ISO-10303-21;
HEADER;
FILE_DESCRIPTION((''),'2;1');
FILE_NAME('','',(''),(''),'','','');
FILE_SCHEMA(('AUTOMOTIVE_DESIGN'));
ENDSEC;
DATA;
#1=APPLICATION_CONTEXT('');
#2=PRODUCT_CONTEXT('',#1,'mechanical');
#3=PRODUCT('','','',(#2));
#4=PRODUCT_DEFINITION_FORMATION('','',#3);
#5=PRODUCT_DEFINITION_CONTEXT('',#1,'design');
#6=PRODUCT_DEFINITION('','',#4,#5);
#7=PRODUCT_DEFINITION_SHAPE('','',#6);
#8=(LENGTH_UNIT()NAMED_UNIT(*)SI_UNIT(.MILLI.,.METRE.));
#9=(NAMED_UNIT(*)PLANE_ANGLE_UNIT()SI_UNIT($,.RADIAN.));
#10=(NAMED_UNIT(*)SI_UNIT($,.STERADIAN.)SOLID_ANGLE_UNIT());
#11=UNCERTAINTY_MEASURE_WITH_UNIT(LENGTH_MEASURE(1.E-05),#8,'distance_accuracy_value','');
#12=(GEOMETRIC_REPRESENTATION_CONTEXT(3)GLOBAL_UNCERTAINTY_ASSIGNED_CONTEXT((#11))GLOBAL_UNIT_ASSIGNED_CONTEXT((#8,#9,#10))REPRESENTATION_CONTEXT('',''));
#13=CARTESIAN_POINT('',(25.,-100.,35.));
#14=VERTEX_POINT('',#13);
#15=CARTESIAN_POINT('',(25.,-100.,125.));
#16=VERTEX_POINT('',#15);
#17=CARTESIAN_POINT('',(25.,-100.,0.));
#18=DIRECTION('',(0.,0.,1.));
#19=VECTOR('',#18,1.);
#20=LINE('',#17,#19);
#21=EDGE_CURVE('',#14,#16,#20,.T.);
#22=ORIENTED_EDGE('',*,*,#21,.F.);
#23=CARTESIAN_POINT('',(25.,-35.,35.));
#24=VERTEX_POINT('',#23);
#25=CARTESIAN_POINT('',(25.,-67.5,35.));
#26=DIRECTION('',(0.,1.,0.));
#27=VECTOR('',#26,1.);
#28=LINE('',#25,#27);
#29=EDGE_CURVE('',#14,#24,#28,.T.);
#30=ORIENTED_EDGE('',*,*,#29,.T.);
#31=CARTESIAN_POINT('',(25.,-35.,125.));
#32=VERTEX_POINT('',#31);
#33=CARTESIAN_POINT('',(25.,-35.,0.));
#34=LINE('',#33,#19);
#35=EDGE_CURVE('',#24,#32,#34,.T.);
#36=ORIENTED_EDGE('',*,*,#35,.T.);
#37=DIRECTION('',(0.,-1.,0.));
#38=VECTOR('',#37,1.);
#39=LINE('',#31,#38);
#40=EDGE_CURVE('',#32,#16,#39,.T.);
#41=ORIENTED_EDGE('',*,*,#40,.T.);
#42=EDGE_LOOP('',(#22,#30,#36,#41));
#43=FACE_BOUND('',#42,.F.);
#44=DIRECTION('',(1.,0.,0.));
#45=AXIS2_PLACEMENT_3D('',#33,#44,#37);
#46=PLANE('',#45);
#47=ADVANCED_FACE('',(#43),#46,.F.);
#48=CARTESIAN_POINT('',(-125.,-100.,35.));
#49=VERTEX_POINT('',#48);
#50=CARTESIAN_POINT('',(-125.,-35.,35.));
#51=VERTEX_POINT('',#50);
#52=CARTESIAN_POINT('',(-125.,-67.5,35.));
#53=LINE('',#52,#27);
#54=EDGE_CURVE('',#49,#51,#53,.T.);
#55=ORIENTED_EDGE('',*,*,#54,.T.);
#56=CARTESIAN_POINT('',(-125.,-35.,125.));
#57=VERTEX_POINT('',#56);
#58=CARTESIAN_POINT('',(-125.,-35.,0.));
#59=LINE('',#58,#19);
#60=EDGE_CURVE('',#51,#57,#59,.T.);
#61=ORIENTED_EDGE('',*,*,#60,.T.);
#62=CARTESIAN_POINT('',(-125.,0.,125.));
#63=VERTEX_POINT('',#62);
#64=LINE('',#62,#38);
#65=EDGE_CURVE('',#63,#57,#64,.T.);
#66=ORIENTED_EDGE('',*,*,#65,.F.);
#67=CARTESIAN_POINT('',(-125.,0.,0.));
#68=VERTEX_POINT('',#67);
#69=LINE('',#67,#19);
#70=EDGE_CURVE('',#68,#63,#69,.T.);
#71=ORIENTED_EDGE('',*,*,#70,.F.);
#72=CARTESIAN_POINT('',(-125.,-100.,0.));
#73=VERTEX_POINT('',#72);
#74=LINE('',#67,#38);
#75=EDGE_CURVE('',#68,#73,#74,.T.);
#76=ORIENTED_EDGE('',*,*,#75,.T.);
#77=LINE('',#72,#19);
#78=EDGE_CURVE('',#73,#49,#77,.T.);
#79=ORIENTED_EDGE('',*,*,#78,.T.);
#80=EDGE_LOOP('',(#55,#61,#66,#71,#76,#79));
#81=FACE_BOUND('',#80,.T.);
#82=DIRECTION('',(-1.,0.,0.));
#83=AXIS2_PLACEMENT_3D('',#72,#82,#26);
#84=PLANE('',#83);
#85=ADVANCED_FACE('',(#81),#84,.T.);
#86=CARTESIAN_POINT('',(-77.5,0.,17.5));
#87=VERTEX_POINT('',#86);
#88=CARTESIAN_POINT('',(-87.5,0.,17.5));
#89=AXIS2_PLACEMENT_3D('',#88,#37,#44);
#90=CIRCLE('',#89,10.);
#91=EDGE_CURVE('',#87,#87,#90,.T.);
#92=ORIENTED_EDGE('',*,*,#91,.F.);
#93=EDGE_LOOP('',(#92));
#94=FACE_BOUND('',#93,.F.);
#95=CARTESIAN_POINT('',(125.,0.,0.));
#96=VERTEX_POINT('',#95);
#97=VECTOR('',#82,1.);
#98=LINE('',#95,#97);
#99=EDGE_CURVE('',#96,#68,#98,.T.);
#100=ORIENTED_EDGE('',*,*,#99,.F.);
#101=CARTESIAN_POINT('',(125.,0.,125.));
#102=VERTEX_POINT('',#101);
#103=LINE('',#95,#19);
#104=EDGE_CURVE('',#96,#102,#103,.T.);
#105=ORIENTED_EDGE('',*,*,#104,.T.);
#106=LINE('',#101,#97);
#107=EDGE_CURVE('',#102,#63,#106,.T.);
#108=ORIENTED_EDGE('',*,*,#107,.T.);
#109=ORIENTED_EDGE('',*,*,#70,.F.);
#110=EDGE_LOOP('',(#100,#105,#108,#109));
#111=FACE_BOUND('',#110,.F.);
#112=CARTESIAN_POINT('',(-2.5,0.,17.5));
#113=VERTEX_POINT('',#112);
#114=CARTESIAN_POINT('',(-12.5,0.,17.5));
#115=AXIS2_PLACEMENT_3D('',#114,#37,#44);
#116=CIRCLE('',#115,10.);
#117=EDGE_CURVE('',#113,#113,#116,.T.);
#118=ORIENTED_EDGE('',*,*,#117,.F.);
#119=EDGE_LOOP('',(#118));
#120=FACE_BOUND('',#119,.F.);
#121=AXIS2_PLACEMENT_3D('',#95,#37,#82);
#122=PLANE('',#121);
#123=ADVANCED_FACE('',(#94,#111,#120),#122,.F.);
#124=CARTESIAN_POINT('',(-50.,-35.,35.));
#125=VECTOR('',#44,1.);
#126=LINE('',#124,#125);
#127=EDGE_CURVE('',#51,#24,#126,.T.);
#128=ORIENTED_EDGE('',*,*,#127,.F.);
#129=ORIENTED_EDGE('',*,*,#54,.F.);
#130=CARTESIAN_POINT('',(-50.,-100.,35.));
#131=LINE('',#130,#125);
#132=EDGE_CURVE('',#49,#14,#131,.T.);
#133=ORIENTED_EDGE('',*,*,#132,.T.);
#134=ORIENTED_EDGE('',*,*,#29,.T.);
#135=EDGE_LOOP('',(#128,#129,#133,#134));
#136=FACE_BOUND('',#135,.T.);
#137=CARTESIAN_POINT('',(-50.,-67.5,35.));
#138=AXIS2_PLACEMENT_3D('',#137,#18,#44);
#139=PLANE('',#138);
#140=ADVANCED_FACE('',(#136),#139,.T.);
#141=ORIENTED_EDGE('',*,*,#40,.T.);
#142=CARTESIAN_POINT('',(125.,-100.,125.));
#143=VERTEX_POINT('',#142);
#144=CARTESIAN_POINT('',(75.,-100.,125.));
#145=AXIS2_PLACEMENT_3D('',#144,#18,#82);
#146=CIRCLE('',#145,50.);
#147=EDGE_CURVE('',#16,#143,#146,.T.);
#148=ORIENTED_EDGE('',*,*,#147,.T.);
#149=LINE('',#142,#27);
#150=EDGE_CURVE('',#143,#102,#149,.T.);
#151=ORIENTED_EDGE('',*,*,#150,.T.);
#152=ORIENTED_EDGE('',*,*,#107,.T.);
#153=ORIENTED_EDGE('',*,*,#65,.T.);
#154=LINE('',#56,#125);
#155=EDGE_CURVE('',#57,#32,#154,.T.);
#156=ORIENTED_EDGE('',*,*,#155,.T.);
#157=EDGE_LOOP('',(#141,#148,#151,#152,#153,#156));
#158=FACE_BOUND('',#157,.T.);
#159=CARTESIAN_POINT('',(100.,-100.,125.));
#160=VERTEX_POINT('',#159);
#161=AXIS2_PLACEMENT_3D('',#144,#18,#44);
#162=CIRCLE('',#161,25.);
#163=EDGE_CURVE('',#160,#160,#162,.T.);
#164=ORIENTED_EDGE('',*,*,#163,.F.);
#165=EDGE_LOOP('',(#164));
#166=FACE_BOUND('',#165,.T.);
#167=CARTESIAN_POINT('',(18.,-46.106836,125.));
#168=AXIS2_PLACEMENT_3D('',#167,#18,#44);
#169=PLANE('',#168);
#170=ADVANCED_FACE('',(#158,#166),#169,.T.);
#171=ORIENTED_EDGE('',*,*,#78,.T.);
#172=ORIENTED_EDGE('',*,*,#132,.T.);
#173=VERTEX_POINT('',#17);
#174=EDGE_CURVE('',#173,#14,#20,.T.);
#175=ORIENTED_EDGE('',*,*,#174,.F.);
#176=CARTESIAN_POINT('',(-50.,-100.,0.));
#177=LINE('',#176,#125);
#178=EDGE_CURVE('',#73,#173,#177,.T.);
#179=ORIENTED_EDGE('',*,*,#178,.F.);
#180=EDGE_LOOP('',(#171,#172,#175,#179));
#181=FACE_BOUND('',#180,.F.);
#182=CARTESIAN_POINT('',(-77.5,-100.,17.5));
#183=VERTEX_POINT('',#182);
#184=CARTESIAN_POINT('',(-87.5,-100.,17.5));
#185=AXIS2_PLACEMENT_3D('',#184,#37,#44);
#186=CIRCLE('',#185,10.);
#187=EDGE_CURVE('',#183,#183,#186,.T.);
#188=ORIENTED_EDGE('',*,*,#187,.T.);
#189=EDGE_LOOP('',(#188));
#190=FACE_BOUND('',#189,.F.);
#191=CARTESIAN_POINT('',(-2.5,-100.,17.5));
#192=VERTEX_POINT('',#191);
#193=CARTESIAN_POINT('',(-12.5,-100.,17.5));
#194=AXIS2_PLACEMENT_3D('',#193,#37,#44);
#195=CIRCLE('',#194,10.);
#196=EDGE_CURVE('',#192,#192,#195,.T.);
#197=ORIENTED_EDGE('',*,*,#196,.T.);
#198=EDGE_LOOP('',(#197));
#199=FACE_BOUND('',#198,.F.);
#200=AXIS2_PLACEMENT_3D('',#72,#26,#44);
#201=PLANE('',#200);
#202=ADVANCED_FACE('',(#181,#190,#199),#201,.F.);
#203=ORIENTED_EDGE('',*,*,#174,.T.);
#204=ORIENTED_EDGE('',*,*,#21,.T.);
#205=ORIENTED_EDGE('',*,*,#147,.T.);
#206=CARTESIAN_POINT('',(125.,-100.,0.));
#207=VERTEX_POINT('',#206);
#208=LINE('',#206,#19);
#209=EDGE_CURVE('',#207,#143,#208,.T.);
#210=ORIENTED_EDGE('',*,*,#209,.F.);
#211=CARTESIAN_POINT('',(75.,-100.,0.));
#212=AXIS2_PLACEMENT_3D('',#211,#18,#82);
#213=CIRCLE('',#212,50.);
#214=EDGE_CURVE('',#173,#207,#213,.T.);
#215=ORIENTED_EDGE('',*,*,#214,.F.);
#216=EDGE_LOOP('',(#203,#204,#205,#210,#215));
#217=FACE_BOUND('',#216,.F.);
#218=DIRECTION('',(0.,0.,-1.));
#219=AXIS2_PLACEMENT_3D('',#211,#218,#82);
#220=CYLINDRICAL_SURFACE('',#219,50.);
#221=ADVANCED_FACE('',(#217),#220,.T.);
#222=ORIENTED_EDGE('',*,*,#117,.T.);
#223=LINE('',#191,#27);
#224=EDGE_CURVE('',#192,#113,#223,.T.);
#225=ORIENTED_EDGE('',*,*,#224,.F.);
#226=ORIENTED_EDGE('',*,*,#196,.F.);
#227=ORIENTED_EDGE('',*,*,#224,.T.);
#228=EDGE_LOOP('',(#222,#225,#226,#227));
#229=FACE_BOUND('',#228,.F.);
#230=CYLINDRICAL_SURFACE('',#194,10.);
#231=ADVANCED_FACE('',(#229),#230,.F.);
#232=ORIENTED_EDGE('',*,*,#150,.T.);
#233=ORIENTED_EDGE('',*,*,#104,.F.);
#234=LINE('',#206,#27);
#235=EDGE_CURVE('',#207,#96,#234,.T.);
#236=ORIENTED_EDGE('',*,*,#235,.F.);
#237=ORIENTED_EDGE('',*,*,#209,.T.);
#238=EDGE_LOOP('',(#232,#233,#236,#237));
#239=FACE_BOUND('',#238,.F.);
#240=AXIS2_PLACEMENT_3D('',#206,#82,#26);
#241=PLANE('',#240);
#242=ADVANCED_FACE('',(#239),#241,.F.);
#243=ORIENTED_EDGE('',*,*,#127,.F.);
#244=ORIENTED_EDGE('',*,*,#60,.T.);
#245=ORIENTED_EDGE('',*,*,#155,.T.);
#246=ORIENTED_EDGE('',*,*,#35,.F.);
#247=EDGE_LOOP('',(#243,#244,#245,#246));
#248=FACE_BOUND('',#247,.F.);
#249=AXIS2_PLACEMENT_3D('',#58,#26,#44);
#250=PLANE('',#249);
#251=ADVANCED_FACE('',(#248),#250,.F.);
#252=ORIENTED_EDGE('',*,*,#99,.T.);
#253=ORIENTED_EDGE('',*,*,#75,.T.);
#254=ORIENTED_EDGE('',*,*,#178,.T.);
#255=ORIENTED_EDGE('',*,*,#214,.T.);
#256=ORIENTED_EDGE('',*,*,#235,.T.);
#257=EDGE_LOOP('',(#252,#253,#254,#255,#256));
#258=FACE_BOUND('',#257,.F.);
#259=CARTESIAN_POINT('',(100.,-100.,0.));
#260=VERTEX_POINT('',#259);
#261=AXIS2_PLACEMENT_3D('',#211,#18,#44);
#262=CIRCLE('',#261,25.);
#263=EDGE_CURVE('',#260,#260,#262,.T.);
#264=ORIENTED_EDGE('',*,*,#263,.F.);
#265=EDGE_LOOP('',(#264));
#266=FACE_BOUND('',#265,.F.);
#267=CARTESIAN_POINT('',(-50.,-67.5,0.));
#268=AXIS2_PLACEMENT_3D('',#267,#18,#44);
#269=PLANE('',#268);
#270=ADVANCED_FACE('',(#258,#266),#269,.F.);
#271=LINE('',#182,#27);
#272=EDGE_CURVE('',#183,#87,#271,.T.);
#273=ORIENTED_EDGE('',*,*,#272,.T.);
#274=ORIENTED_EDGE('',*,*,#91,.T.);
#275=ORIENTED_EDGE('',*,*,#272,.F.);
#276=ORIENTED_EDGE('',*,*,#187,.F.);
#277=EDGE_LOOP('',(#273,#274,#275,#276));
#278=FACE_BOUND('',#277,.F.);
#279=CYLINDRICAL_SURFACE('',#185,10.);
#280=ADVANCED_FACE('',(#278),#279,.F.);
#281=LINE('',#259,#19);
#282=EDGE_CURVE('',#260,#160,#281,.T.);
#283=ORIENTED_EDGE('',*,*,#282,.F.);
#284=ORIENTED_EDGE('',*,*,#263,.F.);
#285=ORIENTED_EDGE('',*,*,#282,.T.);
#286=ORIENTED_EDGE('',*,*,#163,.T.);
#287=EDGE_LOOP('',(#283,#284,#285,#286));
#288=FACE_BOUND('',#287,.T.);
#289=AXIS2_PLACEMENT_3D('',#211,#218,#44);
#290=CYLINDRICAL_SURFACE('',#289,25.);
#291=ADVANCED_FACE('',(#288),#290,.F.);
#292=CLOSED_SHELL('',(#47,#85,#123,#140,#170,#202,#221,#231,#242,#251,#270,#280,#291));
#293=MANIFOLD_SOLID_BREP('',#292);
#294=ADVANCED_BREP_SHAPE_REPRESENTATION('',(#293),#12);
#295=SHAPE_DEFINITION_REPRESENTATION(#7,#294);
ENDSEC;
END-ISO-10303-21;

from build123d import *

# Parameters (mm, degrees)
F0_R     = 25
F1_DEPTH = 125
F0_W     = 150
F0_H     = 65
F2_DEPTH = 35
F3_R     = 10
F4_DEPTH = 100.001


with BuildPart() as f1:
    # F0 (on Top) → F1 (new body)
    with BuildSketch(Plane.XY):
        with BuildLine():
            Line((125, 0), (-125, 0))
            Line((-125, 0), (-125, -35))
            Line((-125, -35), (25, -35))
            Line((25, -35), (25, -100))
            ThreePointArc((25, -100), (75, -150), (125, -100))
            Line((125, -100), (125, 0))
        make_face()
        with Locations((75, -100)):
            Circle(F0_R, mode=Mode.SUBTRACT)
    extrude(amount=F1_DEPTH)

    # F0 (on Top) → F2 (join)
    with BuildSketch(Plane.XY):
        with Locations((-50, -67.5)):
            Rectangle(F0_W, F0_H)
    extrude(amount=F2_DEPTH)

    # F3 (on face) → F4 (cut, through all)
    with BuildSketch(Plane.XZ.offset(100)):
        with Locations((-87.5, 17.5)):
            Circle(F3_R)
        with Locations((-12.5, 17.5)):
            Circle(F3_R)
    extrude(amount=-F4_DEPTH, mode=Mode.SUBTRACT)


solid = f1.part
